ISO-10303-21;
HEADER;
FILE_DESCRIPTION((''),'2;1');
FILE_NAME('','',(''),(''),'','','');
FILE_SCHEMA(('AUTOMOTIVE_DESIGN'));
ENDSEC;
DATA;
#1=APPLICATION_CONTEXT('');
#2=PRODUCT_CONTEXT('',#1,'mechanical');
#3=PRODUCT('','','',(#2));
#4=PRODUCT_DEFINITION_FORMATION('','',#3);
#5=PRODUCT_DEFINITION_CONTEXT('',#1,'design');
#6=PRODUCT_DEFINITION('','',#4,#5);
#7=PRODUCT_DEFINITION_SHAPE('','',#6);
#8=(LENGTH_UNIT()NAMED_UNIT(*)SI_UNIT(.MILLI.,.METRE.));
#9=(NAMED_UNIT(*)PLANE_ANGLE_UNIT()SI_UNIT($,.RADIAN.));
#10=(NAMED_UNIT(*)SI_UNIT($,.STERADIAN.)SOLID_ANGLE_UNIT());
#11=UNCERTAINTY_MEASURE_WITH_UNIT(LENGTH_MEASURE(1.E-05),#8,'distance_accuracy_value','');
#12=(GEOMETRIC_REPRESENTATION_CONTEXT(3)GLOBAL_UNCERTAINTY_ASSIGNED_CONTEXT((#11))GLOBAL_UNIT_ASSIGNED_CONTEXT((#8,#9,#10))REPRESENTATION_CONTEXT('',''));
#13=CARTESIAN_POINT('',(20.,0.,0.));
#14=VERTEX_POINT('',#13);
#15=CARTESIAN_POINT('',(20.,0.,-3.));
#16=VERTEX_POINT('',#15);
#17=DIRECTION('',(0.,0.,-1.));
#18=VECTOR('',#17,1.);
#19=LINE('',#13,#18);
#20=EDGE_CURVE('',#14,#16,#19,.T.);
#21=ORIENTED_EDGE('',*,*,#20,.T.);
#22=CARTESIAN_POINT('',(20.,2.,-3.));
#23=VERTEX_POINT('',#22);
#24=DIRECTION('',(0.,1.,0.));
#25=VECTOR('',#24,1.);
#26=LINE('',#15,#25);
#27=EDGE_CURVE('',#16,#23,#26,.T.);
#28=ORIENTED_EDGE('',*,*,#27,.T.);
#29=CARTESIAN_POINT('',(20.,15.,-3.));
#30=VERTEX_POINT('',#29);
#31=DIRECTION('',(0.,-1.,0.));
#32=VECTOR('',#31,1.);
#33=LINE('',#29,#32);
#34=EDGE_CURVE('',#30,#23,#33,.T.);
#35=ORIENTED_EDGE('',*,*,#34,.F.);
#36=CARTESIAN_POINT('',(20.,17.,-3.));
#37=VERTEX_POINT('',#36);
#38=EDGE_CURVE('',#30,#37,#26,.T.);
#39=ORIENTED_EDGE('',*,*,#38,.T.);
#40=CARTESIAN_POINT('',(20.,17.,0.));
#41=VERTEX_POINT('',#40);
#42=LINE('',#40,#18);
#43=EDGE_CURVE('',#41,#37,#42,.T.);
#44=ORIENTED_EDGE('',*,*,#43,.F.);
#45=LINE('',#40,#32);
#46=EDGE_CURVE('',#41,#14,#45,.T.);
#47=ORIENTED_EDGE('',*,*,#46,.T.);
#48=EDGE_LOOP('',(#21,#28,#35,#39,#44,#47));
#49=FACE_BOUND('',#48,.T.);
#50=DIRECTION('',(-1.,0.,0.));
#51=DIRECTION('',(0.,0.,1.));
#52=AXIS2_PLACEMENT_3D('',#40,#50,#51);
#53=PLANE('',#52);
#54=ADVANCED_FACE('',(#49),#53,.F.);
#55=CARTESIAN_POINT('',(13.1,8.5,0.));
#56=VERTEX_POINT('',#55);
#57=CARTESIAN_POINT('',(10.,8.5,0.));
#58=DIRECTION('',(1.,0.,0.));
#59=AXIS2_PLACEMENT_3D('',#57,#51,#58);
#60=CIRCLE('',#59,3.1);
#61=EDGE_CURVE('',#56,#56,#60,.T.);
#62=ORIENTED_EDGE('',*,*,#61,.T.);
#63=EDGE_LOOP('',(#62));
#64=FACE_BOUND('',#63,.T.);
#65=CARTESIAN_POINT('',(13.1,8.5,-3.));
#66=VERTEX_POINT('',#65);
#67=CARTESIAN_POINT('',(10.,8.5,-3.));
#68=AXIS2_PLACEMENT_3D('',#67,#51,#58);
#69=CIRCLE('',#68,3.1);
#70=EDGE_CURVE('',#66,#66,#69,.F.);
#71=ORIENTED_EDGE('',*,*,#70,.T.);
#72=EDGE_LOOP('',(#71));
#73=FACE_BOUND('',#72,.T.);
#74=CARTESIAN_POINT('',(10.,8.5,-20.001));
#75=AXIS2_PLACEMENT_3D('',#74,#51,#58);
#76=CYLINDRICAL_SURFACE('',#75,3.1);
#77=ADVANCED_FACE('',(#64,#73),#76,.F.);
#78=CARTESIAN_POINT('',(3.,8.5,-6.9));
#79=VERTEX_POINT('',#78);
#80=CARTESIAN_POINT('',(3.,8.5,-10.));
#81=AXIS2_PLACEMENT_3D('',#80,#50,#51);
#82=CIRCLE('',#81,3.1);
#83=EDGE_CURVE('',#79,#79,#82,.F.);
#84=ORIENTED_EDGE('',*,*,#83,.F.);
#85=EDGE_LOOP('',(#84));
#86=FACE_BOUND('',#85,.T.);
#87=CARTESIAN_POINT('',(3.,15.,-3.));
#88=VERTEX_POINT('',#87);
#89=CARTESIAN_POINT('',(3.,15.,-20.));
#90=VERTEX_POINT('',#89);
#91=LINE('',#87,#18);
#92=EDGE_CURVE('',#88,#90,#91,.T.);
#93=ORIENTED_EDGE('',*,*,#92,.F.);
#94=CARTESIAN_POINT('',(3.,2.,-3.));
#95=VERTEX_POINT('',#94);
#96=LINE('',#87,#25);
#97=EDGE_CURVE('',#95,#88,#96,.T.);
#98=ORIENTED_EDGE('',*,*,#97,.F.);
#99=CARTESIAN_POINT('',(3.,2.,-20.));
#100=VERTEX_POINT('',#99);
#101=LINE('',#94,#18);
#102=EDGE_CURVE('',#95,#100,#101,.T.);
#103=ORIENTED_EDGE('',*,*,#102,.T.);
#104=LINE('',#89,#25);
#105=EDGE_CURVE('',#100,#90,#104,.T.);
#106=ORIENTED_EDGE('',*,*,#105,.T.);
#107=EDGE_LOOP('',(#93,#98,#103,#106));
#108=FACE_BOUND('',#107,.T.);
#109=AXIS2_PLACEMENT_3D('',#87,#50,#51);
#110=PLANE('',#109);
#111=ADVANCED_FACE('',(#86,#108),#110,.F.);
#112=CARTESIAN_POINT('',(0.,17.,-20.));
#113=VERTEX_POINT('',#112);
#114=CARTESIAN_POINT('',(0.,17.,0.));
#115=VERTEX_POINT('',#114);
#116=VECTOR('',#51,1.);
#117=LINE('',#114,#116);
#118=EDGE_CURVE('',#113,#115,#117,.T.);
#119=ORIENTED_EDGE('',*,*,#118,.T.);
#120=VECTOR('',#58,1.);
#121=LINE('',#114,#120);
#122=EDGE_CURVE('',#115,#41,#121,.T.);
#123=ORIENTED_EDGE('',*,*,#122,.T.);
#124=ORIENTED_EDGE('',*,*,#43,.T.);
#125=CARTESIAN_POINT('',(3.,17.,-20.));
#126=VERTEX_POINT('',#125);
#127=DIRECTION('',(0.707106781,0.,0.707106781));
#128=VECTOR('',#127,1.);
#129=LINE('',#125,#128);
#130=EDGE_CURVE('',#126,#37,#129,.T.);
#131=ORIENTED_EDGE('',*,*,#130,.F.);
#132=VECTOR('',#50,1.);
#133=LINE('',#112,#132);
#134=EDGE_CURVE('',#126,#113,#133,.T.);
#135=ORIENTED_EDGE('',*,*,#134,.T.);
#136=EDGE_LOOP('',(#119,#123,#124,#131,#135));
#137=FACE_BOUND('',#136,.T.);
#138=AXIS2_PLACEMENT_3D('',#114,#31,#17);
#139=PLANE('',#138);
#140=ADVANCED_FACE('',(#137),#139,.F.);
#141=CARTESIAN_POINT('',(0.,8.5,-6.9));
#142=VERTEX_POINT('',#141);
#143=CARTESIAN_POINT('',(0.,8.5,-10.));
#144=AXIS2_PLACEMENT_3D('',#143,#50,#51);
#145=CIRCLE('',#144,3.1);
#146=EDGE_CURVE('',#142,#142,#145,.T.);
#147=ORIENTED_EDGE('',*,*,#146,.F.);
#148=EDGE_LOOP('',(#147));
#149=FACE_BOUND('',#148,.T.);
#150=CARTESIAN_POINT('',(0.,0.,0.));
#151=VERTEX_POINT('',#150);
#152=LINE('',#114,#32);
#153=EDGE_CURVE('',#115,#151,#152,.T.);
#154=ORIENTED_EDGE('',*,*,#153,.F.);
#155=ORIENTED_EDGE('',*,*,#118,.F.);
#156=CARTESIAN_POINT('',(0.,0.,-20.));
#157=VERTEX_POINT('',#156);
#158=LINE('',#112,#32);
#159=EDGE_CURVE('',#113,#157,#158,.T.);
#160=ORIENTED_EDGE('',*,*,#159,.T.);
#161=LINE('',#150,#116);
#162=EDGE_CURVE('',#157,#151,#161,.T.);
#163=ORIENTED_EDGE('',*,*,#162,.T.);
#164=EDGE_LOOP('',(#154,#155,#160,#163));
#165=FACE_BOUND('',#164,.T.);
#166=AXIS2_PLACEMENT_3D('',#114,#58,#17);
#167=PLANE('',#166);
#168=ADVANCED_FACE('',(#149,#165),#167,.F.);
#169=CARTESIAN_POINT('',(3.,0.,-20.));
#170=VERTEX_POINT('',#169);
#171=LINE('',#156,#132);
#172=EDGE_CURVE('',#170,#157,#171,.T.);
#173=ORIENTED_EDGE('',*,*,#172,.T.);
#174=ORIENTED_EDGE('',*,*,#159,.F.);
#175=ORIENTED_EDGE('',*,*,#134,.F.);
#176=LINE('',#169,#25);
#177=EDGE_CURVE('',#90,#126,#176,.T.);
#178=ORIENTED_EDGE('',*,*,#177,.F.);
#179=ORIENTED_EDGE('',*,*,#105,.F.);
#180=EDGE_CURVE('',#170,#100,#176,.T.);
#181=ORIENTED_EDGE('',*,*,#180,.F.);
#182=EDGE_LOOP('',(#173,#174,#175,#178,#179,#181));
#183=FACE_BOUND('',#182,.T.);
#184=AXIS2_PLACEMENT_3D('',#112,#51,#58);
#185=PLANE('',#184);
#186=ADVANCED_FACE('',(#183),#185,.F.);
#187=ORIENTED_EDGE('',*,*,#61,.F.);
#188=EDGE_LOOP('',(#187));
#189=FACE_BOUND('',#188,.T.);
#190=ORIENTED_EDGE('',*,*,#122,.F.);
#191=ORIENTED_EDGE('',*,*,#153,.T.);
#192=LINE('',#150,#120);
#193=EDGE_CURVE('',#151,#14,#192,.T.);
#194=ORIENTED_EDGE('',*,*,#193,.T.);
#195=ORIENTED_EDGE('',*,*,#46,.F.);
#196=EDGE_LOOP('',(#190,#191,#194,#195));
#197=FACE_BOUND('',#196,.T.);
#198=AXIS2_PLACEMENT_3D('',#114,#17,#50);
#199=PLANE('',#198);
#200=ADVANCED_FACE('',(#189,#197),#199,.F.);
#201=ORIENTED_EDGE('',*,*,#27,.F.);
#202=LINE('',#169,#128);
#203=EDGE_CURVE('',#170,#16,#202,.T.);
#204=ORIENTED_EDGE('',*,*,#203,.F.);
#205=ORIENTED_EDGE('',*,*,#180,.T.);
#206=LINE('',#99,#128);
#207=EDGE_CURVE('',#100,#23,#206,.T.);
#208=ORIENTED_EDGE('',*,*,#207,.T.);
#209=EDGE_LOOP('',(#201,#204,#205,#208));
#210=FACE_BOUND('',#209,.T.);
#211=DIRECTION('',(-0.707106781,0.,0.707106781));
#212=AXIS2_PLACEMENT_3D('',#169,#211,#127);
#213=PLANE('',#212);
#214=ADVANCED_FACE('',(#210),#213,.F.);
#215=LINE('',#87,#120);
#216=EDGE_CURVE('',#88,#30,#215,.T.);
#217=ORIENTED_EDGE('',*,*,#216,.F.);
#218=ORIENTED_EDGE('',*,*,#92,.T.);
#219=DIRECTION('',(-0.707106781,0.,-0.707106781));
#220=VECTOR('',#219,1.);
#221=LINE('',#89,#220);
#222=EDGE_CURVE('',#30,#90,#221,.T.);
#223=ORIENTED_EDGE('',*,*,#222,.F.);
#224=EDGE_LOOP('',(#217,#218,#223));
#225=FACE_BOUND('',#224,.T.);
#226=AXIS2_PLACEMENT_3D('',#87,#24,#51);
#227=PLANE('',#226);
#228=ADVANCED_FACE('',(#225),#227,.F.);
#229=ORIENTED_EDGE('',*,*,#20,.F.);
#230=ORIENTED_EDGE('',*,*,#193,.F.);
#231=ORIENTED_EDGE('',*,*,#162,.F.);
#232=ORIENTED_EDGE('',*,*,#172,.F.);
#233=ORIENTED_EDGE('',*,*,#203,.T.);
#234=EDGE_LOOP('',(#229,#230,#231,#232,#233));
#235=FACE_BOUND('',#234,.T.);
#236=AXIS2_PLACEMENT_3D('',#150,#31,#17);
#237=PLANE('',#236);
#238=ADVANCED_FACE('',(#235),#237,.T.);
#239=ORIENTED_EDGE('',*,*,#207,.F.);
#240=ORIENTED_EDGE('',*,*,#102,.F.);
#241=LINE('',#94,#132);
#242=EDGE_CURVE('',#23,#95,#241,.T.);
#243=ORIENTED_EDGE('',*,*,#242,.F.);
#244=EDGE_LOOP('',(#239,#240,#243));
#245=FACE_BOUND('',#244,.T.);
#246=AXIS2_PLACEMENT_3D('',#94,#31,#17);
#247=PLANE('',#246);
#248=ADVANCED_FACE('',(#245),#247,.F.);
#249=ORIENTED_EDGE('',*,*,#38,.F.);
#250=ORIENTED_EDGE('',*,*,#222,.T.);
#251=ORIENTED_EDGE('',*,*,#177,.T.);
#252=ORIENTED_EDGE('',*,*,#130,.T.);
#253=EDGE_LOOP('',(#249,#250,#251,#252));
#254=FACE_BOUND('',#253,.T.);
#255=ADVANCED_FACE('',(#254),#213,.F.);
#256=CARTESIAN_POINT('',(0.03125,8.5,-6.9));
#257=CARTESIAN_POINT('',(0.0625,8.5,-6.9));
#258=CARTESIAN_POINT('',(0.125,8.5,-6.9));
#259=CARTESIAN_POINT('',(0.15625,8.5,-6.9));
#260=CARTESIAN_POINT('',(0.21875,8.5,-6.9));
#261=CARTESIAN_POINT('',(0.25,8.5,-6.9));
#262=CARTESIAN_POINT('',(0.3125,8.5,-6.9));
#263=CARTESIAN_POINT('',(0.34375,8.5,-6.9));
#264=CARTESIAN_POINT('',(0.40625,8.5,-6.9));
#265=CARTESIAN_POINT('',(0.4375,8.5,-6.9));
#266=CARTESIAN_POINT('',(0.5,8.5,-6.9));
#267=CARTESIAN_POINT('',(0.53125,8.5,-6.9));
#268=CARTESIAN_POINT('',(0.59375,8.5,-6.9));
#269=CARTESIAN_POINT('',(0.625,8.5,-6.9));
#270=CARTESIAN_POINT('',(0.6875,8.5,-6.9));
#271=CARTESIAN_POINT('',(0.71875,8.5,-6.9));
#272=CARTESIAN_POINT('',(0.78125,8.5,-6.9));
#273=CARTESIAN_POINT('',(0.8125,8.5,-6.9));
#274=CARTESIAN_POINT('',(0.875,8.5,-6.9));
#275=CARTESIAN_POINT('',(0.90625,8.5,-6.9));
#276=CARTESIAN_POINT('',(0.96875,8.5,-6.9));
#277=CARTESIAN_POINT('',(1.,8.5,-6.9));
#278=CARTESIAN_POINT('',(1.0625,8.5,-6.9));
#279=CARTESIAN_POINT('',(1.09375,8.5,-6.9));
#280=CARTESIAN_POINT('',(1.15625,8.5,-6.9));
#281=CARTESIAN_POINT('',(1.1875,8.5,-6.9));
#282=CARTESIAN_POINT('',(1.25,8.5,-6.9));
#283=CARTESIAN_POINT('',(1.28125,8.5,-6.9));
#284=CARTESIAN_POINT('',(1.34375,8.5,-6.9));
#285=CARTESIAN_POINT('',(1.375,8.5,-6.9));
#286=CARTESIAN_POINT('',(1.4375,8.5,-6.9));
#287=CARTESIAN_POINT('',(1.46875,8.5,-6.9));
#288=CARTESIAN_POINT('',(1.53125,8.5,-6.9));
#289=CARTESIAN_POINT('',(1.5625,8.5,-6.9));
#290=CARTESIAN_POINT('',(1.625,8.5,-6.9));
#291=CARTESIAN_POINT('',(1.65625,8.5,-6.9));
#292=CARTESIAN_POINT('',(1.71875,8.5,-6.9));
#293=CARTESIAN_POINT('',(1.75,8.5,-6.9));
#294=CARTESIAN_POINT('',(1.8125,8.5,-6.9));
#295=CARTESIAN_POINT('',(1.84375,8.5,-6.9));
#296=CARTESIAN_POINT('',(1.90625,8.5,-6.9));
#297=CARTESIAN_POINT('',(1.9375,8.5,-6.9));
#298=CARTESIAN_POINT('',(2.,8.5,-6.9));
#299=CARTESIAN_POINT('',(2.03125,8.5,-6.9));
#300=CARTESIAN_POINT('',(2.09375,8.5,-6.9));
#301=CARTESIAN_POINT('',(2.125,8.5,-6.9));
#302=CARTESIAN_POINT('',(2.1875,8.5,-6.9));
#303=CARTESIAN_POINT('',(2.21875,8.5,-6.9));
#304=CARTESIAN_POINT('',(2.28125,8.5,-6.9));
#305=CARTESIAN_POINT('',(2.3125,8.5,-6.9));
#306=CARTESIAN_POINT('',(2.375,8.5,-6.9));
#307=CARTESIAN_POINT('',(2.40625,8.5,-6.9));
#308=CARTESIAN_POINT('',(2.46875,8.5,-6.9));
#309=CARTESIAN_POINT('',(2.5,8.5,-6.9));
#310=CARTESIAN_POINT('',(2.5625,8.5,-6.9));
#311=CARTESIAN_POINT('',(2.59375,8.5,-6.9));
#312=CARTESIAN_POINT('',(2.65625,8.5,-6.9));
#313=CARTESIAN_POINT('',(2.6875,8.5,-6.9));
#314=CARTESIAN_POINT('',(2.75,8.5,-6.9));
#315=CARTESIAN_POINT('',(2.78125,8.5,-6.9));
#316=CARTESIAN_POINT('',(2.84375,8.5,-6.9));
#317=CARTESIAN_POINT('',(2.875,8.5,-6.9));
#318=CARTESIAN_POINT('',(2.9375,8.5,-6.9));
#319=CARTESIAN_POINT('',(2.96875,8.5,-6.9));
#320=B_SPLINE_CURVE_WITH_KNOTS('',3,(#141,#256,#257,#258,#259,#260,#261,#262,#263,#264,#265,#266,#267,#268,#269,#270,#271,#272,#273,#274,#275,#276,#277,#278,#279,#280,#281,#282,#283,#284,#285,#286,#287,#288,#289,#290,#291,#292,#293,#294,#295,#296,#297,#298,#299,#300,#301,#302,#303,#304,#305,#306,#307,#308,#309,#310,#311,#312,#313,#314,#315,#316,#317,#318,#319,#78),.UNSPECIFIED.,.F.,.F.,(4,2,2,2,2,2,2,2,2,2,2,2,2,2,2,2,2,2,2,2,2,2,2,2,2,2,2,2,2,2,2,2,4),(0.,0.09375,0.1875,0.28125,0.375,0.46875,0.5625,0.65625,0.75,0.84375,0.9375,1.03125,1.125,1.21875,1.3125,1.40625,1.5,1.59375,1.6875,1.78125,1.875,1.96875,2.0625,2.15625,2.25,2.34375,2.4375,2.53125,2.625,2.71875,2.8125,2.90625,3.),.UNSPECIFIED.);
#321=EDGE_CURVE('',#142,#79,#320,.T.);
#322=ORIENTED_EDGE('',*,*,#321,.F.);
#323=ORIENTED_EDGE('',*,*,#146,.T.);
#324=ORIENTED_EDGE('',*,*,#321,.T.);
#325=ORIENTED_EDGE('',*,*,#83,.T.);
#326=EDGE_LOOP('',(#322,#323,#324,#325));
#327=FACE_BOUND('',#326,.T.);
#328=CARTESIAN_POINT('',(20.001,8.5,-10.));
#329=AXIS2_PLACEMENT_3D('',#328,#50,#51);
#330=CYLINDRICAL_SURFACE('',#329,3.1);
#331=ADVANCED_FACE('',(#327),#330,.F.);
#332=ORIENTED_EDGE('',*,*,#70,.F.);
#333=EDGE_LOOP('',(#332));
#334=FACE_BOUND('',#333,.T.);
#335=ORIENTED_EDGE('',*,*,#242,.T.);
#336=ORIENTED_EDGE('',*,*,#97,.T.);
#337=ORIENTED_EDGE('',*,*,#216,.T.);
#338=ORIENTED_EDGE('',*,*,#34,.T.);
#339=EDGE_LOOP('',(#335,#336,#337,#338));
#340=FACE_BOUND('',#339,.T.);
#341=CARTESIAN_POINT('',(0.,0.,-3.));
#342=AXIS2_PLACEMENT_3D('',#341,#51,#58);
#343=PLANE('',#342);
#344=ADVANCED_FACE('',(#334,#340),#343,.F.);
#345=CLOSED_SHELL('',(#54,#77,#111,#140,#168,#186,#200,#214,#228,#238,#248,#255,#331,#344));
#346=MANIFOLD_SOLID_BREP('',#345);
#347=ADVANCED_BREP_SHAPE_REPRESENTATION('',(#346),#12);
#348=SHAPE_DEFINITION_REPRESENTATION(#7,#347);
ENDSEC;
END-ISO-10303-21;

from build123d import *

# Parameters (mm, degrees)
SKETCH1_W           = 20
SKETCH1_H           = 20
BOSS_EXTRUDE1_DEPTH = 17
CUT_EXTRUDE1_DEPTH  = 17
SKETCH3_W           = 17
SKETCH3_H           = 13
CUT_EXTRUDE2_DEPTH  = 17
CUT_EXTRUDE3_REACH  = 35
SKETCH4_R           = 3.1
CUT_EXTRUDE4_REACH  = 35
SKETCH5_R           = 3.1


with BuildPart() as part:
    # Sketch1 → Boss-Extrude1 (new body)
    with BuildSketch(Plane(origin=(0, 0, 0), x_dir=(1, 0, 0), z_dir=(0, 1, 0))):
        with Locations((10, 10)):
            Rectangle(SKETCH1_W, SKETCH1_H)
    extrude(amount=BOSS_EXTRUDE1_DEPTH)

    # Sketch2 → Cut-Extrude1 (cut)
    with BuildSketch(Plane(origin=(0, 17, 0), x_dir=(1, 0, 0), z_dir=(0, 1, 0))):
        Polygon((3, 20), (20, 3), (20, 20), align=None)
    extrude(amount=-CUT_EXTRUDE1_DEPTH, mode=Mode.SUBTRACT)

    # Sketch3 → Cut-Extrude2 (cut)
    with BuildSketch(Plane(origin=(0, 0, -20), x_dir=(-1, 0, 0), z_dir=(0, 0, -1))):
        with Locations((-11.5, 8.5)):
            Rectangle(SKETCH3_W, SKETCH3_H)
    extrude(amount=-CUT_EXTRUDE2_DEPTH, mode=Mode.SUBTRACT)

    # Sketch4 → Cut-Extrude3 (cut, up to next)
    with BuildSketch(Plane.ZY, mode=Mode.PRIVATE) as cut_extrude3_sk1:
        with Locations((-10, 8.5)):
            Circle(SKETCH4_R)
    cut_extrude3_tool1 = extrude(cut_extrude3_sk1.sketch, amount=-CUT_EXTRUDE3_REACH, mode=Mode.PRIVATE) & part.part
    add(cut_extrude3_tool1.solids().sort_by_distance((0, 8.5, -10))[0], mode=Mode.SUBTRACT)

    # Sketch5 → Cut-Extrude4 (cut, up to next)
    with BuildSketch(Plane.XY, mode=Mode.PRIVATE) as cut_extrude4_sk1:
        with Locations((10, 8.5)):
            Circle(SKETCH5_R)
    cut_extrude4_tool1 = extrude(cut_extrude4_sk1.sketch, amount=-CUT_EXTRUDE4_REACH, mode=Mode.PRIVATE) & part.part
    add(cut_extrude4_tool1.solids().sort_by_distance((10, 8.5, 0))[0], mode=Mode.SUBTRACT)


solid = part.part
